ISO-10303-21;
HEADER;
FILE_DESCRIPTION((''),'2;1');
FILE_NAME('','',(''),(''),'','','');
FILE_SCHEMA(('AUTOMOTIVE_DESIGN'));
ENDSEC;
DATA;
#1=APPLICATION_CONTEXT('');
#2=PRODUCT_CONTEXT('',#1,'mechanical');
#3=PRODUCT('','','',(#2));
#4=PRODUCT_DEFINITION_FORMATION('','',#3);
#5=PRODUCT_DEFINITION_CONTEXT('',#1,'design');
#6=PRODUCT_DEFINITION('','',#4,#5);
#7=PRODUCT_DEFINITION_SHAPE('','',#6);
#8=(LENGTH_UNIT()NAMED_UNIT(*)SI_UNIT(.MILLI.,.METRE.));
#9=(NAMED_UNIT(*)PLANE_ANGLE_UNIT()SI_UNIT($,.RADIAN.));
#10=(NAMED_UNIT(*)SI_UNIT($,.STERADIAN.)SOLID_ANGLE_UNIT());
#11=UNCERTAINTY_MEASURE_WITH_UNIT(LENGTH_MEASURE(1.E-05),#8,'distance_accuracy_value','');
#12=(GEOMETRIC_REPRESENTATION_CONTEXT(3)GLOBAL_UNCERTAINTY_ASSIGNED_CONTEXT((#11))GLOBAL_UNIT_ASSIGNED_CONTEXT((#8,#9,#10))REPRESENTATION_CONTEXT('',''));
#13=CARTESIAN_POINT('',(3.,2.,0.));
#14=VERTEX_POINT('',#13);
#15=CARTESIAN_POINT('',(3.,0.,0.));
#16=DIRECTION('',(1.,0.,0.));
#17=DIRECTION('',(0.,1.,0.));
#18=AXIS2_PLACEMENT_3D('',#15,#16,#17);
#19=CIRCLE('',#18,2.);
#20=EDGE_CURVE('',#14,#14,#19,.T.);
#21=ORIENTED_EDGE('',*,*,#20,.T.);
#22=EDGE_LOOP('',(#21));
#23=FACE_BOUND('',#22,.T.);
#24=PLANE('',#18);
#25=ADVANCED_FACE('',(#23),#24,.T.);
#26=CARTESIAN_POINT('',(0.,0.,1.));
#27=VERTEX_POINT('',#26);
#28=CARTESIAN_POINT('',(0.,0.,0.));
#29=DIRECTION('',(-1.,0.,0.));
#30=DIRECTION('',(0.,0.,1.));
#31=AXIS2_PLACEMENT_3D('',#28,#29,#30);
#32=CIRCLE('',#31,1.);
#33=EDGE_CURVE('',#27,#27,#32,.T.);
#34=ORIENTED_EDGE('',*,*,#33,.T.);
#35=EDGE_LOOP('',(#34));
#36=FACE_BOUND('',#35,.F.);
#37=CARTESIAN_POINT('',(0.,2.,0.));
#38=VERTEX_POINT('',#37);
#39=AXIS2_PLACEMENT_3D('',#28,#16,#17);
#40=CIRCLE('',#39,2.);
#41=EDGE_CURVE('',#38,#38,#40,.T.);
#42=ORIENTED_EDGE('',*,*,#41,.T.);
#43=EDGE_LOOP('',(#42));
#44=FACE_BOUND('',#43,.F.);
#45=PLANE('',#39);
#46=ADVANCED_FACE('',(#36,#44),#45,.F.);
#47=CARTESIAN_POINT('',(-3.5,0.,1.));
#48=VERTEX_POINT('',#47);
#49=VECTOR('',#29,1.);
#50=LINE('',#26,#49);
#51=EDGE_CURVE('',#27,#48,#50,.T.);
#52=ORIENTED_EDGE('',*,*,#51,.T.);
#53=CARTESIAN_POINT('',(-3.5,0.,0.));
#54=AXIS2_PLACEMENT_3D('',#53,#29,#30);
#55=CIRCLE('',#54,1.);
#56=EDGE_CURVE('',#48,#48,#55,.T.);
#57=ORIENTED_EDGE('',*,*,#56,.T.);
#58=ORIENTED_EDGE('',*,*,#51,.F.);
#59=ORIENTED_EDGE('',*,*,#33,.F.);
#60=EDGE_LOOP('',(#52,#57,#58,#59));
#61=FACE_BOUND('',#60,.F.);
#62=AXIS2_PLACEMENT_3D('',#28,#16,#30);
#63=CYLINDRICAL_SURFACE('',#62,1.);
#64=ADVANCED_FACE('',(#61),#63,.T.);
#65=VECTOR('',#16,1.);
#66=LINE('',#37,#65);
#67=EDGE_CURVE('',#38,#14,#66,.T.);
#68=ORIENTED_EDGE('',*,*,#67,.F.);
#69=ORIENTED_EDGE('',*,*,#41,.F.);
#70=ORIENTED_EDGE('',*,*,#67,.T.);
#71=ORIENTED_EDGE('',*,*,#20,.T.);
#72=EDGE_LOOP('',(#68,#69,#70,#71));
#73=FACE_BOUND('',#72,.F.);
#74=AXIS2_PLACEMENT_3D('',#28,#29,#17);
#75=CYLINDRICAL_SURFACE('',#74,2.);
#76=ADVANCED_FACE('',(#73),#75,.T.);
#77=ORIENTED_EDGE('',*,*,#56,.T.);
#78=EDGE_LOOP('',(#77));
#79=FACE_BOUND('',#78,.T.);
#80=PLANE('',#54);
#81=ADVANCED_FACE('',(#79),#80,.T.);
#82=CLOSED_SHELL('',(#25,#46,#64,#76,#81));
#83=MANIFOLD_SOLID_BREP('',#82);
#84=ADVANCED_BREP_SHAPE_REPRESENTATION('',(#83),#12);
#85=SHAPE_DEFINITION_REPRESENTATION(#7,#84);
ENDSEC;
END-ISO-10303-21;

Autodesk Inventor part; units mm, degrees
ref_plane "YZ Plane" through (0, 0, 0) normal (1, 0, 0) x (0, 1, 0)
ref_plane "XZ Plane" through (0, 0, 0) normal (0, 1, 0) x (-1, 0, 0)
ref_plane "XY Plane" through (0, 0, 0) normal (0, 0, 1) x (1, 0, 0)
sketch "スケッチ1" plane through (0, 0, 0) normal (1, 0, 0) x (0, 1, 0)
  circle A0 centre (0, 0) radius 2
  dimension "d0" = 4
extrude "押し出し1" add sketch "スケッチ1" along normal blind 3
sketch "スケッチ2" plane through (0, 0, 0) normal (-1, 0, 0) x (0, 0, 1)
  circle A0 centre (0, 0) radius 1
  dimension "d3" = 2
extrude "押し出し2" add sketch "スケッチ2" along normal blind 3.5
properties part number "GearShaft_3" material "鉄、鋳鉄"
